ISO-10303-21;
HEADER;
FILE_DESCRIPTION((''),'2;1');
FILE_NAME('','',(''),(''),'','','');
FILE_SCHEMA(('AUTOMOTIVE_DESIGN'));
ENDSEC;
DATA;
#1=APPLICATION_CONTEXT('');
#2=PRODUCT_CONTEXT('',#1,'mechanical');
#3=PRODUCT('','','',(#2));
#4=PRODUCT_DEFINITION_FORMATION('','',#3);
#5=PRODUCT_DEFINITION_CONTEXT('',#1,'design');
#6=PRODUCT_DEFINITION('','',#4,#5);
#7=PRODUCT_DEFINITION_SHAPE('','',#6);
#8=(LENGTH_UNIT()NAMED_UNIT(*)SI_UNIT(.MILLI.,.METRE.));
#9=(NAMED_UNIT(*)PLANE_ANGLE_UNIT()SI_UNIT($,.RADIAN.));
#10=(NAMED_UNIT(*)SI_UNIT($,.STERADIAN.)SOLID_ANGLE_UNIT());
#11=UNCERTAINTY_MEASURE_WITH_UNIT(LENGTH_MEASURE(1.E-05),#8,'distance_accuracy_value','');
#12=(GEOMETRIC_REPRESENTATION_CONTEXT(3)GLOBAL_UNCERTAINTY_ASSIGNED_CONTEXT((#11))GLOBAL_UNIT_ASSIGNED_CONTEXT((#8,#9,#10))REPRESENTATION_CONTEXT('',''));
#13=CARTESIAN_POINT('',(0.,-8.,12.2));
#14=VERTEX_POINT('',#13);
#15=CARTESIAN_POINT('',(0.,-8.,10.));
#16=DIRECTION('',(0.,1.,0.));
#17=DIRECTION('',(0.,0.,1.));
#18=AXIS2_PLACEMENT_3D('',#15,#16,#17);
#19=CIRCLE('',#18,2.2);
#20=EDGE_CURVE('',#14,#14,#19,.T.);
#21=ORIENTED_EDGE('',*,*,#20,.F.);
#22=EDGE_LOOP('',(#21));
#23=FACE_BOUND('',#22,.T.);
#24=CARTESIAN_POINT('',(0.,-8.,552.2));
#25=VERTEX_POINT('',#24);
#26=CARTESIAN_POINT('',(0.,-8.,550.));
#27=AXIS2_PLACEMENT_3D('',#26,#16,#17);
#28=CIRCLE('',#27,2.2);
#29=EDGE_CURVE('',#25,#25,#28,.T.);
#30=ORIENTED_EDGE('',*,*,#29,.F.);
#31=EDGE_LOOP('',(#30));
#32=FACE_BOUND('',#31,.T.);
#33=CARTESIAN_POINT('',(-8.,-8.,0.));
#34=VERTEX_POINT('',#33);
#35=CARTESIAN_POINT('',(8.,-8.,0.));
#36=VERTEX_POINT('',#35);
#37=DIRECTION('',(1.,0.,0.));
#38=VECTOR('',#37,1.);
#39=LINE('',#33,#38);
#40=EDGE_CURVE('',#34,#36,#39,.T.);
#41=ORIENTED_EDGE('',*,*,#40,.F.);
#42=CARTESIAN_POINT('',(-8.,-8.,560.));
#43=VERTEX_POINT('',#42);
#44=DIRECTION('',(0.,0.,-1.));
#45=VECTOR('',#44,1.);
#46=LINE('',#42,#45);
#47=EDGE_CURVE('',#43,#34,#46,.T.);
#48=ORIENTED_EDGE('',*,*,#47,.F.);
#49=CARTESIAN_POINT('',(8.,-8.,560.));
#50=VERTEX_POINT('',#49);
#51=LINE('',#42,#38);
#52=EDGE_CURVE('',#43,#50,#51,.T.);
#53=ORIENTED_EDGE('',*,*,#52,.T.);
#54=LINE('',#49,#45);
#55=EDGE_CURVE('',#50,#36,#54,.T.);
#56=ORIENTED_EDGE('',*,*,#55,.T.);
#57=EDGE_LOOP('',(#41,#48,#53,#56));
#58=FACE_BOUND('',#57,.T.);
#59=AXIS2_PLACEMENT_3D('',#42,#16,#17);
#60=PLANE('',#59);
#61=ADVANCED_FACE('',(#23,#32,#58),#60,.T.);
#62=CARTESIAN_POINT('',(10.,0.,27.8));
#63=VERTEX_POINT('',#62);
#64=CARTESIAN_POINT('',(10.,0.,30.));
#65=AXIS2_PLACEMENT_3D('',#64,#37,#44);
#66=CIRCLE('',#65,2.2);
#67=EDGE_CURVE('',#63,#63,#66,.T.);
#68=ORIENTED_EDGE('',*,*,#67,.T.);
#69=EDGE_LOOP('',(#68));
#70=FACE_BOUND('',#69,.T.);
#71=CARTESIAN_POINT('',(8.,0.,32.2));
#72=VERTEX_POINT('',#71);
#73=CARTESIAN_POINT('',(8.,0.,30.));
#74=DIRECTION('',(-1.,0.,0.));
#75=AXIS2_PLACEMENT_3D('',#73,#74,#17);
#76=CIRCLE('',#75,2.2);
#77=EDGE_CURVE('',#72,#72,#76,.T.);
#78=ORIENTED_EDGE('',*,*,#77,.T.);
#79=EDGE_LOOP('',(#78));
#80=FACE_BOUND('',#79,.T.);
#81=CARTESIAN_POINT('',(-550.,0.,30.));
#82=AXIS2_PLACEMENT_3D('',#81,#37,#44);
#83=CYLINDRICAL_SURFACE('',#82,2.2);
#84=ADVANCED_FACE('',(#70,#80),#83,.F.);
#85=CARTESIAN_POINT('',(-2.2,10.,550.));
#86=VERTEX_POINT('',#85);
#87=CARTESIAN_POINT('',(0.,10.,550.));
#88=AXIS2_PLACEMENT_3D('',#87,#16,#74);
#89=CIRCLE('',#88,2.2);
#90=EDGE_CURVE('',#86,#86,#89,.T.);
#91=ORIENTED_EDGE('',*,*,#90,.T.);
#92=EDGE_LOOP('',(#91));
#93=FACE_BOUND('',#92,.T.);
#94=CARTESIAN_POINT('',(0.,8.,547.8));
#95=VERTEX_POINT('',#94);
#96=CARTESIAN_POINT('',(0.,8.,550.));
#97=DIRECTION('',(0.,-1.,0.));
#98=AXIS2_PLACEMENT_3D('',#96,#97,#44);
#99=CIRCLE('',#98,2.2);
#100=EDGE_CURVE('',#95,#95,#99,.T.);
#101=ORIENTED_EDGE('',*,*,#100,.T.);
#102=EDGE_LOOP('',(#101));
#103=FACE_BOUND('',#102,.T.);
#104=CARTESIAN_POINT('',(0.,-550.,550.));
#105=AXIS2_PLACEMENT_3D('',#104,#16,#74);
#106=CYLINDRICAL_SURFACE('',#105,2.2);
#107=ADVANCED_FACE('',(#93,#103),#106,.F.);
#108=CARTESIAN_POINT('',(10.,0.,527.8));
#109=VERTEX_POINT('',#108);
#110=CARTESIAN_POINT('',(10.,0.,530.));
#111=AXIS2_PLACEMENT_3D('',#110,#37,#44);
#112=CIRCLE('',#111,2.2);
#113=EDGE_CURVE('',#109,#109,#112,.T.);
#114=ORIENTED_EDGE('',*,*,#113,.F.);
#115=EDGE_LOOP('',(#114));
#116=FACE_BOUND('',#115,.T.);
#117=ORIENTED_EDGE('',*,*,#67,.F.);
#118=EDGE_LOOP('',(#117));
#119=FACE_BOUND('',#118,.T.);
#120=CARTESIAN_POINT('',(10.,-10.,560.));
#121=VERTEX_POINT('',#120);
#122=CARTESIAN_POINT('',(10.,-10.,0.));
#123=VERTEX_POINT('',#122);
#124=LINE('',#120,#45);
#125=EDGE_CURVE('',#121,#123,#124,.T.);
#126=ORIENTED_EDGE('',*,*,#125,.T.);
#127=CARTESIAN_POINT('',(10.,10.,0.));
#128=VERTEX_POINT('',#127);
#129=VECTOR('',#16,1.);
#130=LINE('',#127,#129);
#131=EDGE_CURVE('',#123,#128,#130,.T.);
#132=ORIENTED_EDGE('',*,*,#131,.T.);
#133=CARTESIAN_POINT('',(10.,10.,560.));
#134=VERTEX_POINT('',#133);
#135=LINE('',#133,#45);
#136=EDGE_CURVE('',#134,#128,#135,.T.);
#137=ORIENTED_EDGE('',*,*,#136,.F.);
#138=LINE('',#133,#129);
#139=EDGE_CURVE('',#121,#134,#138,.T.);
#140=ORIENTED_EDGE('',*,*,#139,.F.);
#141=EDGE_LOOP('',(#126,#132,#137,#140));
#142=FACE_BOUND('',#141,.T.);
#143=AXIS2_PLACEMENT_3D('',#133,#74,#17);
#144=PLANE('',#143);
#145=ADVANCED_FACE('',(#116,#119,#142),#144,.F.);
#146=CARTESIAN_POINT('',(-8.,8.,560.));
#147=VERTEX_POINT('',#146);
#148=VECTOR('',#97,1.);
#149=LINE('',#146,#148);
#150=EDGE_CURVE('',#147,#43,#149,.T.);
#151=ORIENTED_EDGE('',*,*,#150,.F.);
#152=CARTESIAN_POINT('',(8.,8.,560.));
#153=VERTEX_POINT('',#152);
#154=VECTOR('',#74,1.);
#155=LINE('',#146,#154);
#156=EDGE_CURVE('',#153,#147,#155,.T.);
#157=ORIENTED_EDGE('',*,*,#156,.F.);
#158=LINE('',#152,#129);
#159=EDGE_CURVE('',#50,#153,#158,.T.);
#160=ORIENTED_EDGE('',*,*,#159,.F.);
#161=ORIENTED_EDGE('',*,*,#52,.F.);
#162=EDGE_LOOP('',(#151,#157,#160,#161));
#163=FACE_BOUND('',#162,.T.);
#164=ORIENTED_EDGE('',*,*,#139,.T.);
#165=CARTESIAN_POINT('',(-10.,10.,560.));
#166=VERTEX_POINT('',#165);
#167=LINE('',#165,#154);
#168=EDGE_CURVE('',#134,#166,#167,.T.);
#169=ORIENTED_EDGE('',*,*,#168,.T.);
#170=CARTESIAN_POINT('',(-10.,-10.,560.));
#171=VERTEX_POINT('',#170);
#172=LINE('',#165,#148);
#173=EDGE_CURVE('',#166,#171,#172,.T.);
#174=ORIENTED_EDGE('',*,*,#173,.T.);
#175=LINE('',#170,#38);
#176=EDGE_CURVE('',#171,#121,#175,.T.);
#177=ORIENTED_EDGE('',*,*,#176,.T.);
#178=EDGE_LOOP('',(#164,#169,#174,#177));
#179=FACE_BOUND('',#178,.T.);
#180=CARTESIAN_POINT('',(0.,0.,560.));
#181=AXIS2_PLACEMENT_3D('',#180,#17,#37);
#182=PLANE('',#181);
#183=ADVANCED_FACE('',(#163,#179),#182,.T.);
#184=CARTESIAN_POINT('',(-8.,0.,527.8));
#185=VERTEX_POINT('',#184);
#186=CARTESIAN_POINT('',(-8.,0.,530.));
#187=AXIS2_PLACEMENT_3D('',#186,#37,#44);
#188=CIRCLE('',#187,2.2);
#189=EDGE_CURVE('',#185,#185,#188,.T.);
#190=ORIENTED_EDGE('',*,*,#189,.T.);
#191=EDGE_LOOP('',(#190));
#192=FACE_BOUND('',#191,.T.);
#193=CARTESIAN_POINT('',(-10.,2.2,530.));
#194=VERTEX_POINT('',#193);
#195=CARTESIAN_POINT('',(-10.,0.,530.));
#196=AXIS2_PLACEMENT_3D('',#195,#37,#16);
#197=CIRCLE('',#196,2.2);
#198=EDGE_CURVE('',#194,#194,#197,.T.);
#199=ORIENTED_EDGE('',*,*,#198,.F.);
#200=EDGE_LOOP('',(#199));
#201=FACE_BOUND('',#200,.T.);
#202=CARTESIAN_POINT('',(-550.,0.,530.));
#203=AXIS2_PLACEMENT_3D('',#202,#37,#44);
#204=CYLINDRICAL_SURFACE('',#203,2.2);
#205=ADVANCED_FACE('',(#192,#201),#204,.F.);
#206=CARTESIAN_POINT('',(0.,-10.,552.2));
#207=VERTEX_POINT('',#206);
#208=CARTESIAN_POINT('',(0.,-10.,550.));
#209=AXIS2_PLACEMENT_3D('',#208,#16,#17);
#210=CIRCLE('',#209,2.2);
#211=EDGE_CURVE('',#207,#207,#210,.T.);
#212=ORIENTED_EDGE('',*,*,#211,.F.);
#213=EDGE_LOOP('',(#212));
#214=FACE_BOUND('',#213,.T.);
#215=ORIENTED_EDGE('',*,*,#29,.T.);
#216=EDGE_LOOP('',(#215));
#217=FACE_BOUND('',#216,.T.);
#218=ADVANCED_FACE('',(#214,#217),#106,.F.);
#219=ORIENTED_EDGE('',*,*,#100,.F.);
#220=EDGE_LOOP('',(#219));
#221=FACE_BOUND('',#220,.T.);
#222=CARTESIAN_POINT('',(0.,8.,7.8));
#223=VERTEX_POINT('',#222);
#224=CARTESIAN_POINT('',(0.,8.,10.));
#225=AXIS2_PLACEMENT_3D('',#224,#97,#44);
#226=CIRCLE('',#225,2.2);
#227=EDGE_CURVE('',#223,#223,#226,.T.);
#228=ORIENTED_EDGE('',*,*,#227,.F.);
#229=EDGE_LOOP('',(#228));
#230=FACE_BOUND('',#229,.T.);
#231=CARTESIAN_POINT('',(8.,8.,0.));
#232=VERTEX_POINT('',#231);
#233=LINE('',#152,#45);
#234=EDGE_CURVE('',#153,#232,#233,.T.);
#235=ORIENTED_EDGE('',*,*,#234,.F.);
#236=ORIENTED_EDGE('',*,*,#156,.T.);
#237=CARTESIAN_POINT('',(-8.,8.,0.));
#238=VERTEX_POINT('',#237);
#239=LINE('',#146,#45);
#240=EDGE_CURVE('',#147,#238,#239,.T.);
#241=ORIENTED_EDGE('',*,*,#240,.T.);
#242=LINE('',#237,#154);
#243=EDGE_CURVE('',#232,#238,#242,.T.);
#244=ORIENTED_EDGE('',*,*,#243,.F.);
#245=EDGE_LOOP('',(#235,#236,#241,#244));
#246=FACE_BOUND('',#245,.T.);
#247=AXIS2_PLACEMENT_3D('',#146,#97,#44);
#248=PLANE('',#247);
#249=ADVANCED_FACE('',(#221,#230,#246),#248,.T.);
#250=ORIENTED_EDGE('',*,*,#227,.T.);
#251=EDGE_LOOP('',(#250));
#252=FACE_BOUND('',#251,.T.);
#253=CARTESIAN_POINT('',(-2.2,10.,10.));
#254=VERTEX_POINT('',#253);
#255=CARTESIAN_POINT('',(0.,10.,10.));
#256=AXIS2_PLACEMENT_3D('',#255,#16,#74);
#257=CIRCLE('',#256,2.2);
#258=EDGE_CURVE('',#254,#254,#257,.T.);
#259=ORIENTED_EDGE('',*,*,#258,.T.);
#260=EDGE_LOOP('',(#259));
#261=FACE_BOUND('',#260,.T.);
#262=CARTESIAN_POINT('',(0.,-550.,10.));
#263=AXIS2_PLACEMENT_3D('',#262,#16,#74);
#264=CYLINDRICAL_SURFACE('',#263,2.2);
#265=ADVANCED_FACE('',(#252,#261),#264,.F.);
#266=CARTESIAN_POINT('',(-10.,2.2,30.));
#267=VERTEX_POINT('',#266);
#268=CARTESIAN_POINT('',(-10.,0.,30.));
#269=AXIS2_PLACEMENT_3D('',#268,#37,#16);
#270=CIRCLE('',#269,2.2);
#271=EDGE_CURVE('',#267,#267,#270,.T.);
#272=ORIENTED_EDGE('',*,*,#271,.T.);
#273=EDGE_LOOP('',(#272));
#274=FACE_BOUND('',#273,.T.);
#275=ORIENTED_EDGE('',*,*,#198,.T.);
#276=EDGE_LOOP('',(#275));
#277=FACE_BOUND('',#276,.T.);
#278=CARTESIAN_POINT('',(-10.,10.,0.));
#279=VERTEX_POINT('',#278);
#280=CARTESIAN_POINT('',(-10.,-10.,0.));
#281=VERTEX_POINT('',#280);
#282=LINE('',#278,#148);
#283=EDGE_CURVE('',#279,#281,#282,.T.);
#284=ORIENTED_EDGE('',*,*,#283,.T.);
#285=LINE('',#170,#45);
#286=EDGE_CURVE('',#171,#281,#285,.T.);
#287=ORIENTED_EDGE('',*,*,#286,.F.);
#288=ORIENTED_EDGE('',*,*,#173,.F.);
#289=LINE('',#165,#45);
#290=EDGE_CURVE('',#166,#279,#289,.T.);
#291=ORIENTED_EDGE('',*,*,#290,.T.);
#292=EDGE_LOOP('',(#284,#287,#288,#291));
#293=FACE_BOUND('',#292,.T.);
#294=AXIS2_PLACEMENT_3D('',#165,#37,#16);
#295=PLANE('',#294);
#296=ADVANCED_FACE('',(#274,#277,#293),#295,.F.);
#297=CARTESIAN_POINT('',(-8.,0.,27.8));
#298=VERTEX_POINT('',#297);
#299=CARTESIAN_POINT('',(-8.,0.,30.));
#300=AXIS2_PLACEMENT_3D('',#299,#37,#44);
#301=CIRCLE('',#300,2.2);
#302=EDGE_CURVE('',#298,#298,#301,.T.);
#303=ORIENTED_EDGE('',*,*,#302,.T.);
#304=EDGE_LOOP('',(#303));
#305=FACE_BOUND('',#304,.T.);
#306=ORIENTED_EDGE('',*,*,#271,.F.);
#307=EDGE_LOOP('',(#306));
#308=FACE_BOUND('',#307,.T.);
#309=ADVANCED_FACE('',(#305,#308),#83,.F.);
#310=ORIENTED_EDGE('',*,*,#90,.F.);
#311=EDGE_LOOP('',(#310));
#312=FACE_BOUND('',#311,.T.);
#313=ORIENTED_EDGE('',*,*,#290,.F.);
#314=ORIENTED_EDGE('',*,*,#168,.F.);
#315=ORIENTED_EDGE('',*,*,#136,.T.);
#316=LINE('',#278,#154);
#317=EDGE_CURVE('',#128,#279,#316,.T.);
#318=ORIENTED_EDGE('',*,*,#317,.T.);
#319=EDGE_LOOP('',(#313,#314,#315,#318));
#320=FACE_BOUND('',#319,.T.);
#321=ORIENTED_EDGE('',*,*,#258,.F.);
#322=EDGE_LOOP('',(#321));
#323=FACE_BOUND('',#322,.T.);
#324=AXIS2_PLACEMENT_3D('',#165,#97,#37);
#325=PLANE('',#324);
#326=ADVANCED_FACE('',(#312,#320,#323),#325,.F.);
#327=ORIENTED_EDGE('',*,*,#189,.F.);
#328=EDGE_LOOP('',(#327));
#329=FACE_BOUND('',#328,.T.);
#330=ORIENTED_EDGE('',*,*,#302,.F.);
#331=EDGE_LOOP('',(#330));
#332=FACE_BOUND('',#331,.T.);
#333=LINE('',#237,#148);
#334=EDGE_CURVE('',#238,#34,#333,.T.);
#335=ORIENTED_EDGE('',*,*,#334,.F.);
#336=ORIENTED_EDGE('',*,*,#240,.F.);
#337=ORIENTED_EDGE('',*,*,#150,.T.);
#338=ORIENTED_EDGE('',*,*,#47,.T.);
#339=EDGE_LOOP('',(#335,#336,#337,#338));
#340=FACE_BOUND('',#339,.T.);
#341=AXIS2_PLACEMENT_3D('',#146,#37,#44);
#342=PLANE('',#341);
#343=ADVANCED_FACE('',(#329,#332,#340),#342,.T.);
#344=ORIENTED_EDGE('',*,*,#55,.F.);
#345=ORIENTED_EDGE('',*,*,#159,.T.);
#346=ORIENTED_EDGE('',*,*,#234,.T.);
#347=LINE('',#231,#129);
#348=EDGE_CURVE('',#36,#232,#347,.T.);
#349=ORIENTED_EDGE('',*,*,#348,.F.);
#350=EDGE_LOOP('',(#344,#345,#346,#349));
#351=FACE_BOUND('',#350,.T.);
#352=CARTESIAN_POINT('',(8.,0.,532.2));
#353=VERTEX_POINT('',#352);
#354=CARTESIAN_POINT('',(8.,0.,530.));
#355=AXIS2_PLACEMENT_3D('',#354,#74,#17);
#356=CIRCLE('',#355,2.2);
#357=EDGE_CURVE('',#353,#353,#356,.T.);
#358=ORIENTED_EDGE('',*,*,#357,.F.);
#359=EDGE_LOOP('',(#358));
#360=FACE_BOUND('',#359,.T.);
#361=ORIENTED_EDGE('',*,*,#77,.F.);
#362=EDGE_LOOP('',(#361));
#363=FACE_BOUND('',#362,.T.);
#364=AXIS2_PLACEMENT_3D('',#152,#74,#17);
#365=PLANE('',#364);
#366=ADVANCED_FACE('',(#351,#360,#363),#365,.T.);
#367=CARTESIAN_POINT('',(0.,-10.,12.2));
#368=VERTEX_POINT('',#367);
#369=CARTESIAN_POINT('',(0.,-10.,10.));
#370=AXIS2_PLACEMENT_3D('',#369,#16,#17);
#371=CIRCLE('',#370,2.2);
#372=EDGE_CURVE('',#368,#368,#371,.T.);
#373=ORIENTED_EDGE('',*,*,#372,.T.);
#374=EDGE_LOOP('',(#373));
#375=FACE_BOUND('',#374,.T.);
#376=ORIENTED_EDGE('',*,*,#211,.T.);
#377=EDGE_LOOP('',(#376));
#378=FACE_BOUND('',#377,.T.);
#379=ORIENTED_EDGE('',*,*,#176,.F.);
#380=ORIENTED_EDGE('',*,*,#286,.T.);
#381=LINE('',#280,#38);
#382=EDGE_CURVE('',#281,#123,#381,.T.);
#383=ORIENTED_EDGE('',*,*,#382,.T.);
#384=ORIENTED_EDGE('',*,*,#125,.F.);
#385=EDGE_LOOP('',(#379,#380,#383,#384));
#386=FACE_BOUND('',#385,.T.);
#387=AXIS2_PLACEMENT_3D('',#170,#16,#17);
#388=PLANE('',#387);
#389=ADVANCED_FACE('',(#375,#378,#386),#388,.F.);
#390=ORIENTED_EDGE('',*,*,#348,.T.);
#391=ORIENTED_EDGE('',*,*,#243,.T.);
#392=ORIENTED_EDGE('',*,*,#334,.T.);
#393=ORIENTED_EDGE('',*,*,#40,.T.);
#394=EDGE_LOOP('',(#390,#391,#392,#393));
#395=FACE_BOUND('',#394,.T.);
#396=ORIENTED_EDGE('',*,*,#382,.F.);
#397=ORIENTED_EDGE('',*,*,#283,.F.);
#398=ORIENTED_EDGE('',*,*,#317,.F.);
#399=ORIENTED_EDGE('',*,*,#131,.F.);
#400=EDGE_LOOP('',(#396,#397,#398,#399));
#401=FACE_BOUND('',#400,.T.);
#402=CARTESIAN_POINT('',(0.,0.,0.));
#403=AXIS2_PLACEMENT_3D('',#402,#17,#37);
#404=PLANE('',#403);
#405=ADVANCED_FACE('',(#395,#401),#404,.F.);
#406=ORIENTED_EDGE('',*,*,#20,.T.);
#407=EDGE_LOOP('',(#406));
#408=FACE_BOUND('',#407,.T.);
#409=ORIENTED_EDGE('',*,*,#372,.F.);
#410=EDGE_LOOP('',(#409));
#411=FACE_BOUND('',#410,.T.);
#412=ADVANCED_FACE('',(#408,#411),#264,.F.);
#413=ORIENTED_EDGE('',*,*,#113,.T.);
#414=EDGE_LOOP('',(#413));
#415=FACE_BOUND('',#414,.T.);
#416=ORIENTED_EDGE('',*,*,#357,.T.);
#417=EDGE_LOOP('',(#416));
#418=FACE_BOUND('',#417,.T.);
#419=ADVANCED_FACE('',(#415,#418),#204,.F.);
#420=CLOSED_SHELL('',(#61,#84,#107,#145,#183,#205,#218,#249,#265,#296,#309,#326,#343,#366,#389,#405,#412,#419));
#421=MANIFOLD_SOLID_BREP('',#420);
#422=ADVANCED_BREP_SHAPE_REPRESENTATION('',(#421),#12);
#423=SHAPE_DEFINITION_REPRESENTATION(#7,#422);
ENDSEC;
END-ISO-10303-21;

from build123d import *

# Parameters (mm, degrees)
SKETCH_1_W          = 20
SKETCH_1_H          = 20
SKETCH_1_W_2        = 16
SKETCH_1_H_2        = 16
EXTRUDE_1_DEPTH     = 560
SKETCH_3_R          = 2.2
CUT_EXTRUDE_2_DEPTH = 560
SKETCH_4_R          = 2.2
CUT_EXTRUDE_3_DEPTH = 560


with BuildPart() as part:
    # ｽｹｯﾁ1 → ﾎﾞｽ - 押し出し1 (new body)
    with BuildSketch(Plane.XY):
        Rectangle(SKETCH_1_W, SKETCH_1_H)
        Rectangle(SKETCH_1_W_2, SKETCH_1_H_2, mode=Mode.SUBTRACT)
    extrude(amount=EXTRUDE_1_DEPTH)

    # ｽｹｯﾁ3 → ｶｯﾄ - 押し出し2 (cut)
    with BuildSketch(Plane(origin=(10, 0, 0), x_dir=(0, 0, -1), z_dir=(1, 0, 0))):
        with Locations((-530, 0)):
            Circle(SKETCH_3_R)
        with Locations((-30, 0)):
            Circle(SKETCH_3_R)
    extrude(amount=-CUT_EXTRUDE_2_DEPTH, mode=Mode.SUBTRACT)

    # ｽｹｯﾁ4 → ｶｯﾄ - 押し出し3 (cut)
    with BuildSketch(Plane(origin=(0, 10, 0), x_dir=(1, 0, 0), z_dir=(0, 1, 0))):
        with Locations((0, -550)):
            Circle(SKETCH_4_R)
        with Locations((0, -10)):
            Circle(SKETCH_4_R)
    extrude(amount=-CUT_EXTRUDE_3_DEPTH, mode=Mode.SUBTRACT)


solid = part.part
